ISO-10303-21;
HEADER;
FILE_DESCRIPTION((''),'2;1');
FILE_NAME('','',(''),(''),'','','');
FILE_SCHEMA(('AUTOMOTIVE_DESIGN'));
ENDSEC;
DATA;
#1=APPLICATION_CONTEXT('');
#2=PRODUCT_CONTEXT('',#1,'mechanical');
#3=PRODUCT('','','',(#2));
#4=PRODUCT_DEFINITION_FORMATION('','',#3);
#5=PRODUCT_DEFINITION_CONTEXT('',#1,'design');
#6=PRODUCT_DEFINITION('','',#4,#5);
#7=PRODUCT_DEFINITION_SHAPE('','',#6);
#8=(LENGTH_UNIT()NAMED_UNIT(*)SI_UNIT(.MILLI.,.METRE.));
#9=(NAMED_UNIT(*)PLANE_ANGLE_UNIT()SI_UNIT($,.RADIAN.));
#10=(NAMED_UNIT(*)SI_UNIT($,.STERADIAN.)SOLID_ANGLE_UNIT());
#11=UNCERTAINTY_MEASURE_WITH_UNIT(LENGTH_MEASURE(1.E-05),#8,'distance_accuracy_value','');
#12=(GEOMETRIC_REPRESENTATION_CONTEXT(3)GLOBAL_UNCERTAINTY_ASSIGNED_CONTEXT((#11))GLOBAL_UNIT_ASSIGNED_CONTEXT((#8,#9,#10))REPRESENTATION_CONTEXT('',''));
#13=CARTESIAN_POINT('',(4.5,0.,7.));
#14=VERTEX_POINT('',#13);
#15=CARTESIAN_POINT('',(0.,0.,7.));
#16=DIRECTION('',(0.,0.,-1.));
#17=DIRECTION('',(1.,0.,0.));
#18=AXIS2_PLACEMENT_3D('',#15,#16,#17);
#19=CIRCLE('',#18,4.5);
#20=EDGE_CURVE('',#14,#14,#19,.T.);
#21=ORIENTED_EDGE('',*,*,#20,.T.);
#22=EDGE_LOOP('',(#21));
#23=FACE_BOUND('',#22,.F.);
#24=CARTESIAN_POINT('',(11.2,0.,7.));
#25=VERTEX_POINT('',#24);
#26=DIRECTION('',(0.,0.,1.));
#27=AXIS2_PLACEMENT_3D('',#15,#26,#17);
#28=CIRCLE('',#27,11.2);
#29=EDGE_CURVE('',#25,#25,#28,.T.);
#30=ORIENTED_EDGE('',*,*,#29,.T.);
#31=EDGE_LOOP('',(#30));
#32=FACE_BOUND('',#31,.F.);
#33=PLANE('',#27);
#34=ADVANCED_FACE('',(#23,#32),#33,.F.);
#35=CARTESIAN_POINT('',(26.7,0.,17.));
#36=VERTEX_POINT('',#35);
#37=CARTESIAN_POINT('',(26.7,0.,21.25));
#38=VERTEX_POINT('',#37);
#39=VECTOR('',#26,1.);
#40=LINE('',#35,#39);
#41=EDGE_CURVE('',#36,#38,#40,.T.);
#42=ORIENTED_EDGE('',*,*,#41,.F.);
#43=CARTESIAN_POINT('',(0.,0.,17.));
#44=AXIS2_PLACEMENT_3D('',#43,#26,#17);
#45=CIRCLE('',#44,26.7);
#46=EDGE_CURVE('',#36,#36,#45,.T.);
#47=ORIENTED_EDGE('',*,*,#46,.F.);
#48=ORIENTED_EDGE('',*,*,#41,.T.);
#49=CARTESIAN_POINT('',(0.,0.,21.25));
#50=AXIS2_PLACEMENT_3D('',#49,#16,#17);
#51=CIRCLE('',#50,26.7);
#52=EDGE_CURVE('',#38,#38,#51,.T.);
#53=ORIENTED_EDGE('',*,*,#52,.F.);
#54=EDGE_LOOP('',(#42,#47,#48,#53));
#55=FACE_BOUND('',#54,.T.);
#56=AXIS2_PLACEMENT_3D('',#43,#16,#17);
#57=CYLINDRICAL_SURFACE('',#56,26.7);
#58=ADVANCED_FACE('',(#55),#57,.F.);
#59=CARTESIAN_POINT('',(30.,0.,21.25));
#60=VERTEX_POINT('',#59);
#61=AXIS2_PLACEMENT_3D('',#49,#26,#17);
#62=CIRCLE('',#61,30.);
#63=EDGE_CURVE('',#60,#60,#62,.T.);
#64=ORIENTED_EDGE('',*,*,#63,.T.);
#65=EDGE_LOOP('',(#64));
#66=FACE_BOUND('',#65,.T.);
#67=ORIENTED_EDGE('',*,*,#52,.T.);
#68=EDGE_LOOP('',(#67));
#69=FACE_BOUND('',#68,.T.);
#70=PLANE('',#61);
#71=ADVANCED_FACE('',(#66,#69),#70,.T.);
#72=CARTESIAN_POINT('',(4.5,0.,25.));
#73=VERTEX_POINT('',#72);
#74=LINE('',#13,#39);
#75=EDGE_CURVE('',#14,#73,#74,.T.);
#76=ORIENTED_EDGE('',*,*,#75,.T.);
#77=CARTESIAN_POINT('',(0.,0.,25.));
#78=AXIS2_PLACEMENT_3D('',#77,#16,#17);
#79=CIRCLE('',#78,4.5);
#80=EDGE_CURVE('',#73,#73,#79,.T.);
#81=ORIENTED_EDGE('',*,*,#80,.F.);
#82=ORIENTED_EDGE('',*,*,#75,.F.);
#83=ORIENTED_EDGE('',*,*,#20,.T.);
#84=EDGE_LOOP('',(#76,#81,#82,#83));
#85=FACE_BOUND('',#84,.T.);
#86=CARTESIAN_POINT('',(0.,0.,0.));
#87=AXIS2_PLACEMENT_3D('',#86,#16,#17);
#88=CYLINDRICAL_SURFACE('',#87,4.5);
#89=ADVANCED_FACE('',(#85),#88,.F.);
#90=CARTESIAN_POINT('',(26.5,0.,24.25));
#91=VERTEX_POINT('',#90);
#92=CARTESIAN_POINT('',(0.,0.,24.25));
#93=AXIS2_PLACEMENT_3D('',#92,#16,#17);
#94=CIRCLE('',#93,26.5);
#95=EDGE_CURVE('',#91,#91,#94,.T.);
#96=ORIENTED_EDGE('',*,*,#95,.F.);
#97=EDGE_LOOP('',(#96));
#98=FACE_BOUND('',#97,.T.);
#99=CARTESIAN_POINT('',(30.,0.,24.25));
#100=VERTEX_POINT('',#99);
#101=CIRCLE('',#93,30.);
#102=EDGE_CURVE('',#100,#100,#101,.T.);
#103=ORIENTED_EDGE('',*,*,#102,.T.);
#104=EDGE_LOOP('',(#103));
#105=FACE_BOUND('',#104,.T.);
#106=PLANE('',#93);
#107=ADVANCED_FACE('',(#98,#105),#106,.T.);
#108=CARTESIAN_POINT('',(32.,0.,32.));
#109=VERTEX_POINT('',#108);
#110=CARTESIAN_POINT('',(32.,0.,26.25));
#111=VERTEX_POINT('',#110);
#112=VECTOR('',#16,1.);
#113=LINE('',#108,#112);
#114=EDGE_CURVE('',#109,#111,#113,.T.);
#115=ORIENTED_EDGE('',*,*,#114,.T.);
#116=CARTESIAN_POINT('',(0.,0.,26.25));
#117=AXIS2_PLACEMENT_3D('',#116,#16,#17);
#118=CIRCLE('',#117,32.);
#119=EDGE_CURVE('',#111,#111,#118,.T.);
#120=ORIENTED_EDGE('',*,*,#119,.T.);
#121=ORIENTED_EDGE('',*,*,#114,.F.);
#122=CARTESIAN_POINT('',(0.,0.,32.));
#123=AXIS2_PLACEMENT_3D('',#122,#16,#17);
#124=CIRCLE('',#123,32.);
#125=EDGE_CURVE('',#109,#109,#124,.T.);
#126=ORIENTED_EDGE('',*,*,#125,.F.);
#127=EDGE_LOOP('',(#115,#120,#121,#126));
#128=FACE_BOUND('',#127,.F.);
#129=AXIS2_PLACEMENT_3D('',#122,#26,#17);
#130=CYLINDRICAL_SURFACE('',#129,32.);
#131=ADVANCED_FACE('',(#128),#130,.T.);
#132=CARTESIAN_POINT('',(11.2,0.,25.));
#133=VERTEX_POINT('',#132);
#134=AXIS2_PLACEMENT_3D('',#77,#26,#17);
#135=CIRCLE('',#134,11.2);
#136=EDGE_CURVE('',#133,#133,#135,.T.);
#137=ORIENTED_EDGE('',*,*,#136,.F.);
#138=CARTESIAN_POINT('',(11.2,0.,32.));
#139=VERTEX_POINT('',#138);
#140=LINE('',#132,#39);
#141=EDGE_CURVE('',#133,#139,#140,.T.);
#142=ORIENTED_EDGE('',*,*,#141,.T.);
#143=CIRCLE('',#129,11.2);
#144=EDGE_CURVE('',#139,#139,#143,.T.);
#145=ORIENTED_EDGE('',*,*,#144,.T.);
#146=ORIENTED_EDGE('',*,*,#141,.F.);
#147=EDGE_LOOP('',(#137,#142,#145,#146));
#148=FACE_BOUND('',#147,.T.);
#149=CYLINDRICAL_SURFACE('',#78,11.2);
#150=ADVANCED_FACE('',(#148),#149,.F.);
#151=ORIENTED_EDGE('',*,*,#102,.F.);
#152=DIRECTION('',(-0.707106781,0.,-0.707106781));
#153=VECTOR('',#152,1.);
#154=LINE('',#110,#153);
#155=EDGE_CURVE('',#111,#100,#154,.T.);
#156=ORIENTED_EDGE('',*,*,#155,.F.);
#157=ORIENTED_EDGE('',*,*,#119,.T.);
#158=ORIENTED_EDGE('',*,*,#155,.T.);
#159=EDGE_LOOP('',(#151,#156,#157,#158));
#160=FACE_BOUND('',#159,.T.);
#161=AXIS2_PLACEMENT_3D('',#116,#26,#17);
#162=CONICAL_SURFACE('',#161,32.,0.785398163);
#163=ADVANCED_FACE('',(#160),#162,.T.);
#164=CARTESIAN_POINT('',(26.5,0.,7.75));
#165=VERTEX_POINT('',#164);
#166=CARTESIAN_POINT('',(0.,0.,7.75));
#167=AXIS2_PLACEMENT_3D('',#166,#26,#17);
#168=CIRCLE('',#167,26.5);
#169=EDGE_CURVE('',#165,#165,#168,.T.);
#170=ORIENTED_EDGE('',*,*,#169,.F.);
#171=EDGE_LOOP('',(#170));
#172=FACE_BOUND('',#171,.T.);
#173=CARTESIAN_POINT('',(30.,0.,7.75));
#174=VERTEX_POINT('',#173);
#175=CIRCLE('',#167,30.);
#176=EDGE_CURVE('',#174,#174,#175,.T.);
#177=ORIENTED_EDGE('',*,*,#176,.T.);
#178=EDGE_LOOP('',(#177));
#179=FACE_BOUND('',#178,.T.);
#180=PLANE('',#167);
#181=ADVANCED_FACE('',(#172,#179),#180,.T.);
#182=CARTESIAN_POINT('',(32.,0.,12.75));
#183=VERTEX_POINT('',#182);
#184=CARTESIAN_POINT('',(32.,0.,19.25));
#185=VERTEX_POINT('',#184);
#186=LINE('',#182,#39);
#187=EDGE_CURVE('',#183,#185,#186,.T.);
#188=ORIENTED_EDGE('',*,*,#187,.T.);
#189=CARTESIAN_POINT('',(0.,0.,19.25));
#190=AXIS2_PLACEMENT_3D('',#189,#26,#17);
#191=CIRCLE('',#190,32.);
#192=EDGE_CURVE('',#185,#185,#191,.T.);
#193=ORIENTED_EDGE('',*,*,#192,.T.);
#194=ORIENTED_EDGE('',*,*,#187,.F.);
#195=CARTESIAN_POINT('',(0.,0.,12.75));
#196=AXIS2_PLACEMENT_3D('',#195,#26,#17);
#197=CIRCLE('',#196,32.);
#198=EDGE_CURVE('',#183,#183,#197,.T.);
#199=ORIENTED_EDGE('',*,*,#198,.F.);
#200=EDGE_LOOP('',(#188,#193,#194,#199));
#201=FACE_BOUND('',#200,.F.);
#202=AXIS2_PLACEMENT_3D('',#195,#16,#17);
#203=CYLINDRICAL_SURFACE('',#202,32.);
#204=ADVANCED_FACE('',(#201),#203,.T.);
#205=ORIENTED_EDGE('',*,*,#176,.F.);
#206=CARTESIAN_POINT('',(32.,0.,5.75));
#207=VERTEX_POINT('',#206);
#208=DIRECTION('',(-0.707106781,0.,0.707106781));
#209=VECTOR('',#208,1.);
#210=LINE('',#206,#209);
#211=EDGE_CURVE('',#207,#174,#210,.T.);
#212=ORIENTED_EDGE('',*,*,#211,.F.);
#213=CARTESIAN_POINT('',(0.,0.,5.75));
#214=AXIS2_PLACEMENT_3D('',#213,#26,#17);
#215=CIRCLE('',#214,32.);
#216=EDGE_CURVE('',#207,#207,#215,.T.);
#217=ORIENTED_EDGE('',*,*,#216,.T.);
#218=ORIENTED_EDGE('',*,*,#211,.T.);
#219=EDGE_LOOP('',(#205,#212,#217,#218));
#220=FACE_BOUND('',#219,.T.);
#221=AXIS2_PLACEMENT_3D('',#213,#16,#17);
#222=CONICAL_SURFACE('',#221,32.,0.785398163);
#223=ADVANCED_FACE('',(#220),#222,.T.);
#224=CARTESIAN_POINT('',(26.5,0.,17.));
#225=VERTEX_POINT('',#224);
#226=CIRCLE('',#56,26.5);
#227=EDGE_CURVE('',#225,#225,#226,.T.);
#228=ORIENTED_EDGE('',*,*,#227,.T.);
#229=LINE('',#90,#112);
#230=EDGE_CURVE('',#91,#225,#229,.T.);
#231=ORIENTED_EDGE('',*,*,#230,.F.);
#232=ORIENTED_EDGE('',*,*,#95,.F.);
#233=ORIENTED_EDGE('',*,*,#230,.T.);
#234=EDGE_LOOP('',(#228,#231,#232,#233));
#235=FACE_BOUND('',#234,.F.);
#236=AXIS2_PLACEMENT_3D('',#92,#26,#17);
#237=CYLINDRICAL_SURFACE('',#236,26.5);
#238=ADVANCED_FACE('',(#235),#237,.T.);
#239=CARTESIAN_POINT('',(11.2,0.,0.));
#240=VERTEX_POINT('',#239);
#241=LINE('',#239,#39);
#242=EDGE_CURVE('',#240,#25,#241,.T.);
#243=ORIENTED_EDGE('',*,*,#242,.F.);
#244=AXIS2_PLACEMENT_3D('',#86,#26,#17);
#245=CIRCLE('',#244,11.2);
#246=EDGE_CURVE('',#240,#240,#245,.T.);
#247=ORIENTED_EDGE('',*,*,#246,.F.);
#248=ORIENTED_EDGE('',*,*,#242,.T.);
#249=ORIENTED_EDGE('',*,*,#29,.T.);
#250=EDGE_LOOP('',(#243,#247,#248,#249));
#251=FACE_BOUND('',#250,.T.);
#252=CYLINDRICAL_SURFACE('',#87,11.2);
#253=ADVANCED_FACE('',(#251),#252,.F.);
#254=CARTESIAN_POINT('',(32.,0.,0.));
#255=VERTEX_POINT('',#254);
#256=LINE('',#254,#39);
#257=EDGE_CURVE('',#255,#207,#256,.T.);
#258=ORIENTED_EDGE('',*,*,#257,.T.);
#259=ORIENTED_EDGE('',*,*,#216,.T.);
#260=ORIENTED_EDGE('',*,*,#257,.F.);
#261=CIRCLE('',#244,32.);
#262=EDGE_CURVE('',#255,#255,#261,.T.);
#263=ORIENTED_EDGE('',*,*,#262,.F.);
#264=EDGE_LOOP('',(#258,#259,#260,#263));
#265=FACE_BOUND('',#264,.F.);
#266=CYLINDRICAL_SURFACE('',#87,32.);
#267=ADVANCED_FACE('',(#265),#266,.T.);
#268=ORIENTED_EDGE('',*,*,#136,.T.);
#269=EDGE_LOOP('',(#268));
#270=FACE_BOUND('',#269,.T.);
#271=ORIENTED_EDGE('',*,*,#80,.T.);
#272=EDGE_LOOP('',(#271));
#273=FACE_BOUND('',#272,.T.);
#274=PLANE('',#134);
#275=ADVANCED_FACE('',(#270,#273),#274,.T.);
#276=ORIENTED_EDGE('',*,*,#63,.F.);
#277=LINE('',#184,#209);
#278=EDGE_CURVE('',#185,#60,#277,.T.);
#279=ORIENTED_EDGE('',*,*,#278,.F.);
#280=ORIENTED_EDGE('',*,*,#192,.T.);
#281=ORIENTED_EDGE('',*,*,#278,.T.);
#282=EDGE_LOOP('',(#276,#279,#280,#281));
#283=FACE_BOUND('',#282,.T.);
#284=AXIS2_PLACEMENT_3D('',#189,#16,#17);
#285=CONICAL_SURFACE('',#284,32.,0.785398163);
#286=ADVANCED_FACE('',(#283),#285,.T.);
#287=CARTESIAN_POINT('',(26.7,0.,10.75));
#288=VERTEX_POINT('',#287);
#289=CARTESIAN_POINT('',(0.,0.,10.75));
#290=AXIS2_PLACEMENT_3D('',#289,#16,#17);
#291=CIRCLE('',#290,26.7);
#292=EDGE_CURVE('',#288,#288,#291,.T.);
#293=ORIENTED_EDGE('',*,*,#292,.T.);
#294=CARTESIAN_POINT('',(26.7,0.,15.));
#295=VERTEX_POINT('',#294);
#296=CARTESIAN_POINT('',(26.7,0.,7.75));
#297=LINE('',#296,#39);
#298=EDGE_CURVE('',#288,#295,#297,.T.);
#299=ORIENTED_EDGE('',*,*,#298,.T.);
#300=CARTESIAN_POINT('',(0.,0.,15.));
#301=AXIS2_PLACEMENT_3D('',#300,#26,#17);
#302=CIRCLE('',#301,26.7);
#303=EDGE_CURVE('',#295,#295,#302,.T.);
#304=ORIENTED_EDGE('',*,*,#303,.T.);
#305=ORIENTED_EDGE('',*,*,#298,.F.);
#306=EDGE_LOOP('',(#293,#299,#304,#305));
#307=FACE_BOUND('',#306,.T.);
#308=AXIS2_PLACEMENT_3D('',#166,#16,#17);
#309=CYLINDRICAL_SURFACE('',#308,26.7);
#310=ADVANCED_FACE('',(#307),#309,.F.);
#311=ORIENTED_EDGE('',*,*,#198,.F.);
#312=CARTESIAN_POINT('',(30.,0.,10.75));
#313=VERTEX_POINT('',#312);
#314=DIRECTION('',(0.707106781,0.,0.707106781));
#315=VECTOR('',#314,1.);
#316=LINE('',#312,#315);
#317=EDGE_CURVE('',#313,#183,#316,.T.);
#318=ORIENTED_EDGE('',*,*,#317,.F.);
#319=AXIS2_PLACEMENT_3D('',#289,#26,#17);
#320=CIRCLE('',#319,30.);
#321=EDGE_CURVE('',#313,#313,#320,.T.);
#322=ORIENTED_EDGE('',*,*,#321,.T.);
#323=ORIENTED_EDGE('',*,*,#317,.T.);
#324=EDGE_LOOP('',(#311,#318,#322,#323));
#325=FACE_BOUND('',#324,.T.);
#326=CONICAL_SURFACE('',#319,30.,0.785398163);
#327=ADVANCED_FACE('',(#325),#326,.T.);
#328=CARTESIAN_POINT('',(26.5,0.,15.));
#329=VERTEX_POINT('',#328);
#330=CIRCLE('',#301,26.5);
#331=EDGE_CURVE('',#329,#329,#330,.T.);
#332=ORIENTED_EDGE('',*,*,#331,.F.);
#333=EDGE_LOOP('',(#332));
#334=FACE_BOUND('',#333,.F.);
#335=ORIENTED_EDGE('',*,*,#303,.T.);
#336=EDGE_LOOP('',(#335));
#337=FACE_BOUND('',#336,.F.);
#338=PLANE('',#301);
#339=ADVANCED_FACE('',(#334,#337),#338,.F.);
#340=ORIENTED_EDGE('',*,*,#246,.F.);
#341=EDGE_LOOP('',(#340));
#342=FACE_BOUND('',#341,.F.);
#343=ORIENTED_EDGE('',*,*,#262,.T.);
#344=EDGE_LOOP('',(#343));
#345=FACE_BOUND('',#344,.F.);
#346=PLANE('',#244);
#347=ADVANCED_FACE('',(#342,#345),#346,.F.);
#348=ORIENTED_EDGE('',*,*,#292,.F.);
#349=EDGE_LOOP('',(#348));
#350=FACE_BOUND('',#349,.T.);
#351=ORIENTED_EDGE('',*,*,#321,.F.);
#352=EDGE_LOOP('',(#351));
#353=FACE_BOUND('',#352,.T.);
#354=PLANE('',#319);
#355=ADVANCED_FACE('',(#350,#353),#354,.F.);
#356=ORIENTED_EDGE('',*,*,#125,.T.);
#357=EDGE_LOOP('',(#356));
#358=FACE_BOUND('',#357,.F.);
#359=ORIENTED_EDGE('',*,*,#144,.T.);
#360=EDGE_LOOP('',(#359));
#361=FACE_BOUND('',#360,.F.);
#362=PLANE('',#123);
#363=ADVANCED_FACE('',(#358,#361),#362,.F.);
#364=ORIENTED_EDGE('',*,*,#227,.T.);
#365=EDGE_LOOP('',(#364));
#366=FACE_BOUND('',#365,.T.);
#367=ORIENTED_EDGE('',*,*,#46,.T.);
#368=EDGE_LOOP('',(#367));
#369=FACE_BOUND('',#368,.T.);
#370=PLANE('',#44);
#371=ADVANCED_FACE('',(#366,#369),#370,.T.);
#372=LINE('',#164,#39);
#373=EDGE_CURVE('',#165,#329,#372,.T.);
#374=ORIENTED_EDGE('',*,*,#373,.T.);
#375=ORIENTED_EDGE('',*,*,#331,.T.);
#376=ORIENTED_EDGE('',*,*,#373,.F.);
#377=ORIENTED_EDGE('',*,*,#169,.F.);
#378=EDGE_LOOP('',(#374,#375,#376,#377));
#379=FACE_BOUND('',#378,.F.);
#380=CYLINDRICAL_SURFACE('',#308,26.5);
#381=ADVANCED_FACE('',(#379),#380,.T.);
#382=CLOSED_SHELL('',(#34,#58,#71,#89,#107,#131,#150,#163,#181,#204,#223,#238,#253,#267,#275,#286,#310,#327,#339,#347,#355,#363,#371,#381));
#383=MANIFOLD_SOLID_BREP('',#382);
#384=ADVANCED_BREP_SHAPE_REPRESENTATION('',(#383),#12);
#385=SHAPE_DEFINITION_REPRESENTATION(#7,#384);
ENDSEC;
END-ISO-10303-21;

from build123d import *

# Parameters (mm, degrees)
CYLINDER006_R             = 26.7
CYLINDER006_DEPTH         = 7.25
CYLINDER007_R             = 4.5
CYLINDER007_DEPTH         = 32
CYLINDER005_R             = 26.7
CYLINDER005_DEPTH         = 7.25
CYLINDER004_R             = 32
CYLINDER004_DEPTH         = 6.5
CYLINDER010_R             = 11.2
CYLINDER010_DEPTH         = 7
CYLINDER009_R             = 4.5
CYLINDER009_DEPTH         = 32
CYLINDER001_R             = 26.5
CYLINDER001_DEPTH         = 7.25
CYLINDER_R                = 32
CYLINDER_DEPTH            = 5.75
CYLINDER011_R             = 11.2
CYLINDER011_DEPTH         = 7
CYLINDER008_R             = 4.5
CYLINDER008_DEPTH         = 32
CYLINDER003_R             = 26.5
CYLINDER003_DEPTH         = 7.25
CYLINDER002_R             = 32
CYLINDER002_DEPTH         = 5.75
FUSION001_PLACEMENT_ANGLE = 180


with BuildPart() as cylinder006:
    # Cylinder006 → Cylinder006 (new body)
    with BuildSketch(Plane.XY.offset(7.75)):
        Circle(CYLINDER006_R)
    extrude(amount=CYLINDER006_DEPTH)


with BuildPart() as cylinder007:
    # Cylinder007 → Cylinder007 (new body)
    with BuildSketch(Plane.XY):
        Circle(CYLINDER007_R)
    extrude(amount=CYLINDER007_DEPTH)


with BuildPart() as fusion003:
    # Cylinder005 → Cylinder005 (new body)
    with BuildSketch(Plane.XY.offset(17)):
        Circle(CYLINDER005_R)
    extrude(amount=CYLINDER005_DEPTH)

    # Fusion003: union Cylinder006, Cylinder007
    add(cylinder006.part)
    add(cylinder007.part)


with BuildPart() as cone002:
    # Cone002 → Cone002 (revolve)
    with BuildSketch(Plane(origin=(0, 0, 8.5), x_dir=(1, 0, 0), z_dir=(0, -1, 0))):
        Polygon((0, 0), (32, 0), (30, 2), (0, 2), align=None)
    revolve(axis=Axis((0, 0, 8.5), (0, 0, 1)))


with BuildPart() as cone003:
    # Cone003 → Cone003 (revolve)
    with BuildSketch(Plane.XZ):
        Polygon((0, 0), (30, 0), (32, 2), (0, 2), align=None)
    revolve(axis=Axis((0, 0, 0), (0, 0, 1)))


with BuildPart() as cut:
    # Cylinder004 → Cylinder004 (new body)
    with BuildSketch(Plane.XY.offset(2)):
        Circle(CYLINDER004_R)
    extrude(amount=CYLINDER004_DEPTH)

    # Fusion002: union Cone002, Cone003
    add(cone002.part)
    add(cone003.part)


with BuildPart() as cut_1:
    # Fusion002 placement: moved
    add(cut.part.moved(Location((0, 0, 10.75))))

    # Cut: cut Fusion003
    add(fusion003.part, mode=Mode.SUBTRACT)


with BuildPart() as cylinder010:
    # Cylinder010 → Cylinder010 (new body)
    with BuildSketch(Plane.XY):
        Circle(CYLINDER010_R)
    extrude(amount=CYLINDER010_DEPTH)


with BuildPart() as cylinder009:
    # Cylinder009 → Cylinder009 (new body)
    with BuildSketch(Plane.XY):
        Circle(CYLINDER009_R)
    extrude(amount=CYLINDER009_DEPTH)


with BuildPart() as cone:
    # Cone → Cone (revolve)
    with BuildSketch(Plane(origin=(0, 0, 5.75), x_dir=(1, 0, 0), z_dir=(0, -1, 0))):
        Polygon((0, 0), (32, 0), (30, 2), (0, 2), align=None)
    revolve(axis=Axis((0, 0, 5.75), (0, 0, 1)))


with BuildPart() as cylinder001:
    # Cylinder001 → Cylinder001 (new body)
    with BuildSketch(Plane.XY.offset(7.75)):
        Circle(CYLINDER001_R)
    extrude(amount=CYLINDER001_DEPTH)


with BuildPart() as cut003:
    # Cylinder → Cylinder (new body)
    with BuildSketch(Plane.XY):
        Circle(CYLINDER_R)
    extrude(amount=CYLINDER_DEPTH)

    # Fusion: union Cone, Cylinder001
    add(cone.part)
    add(cylinder001.part)

    # Cut002: cut Cylinder009
    add(cylinder009.part, mode=Mode.SUBTRACT)

    # Cut003: cut Cylinder010
    add(cylinder010.part, mode=Mode.SUBTRACT)


with BuildPart() as cylinder011:
    # Cylinder011 → Cylinder011 (new body)
    with BuildSketch(Plane.XY.offset(25)):
        Circle(CYLINDER011_R)
    extrude(amount=CYLINDER011_DEPTH)


with BuildPart() as cylinder008:
    # Cylinder008 → Cylinder008 (new body)
    with BuildSketch(Plane.XY):
        Circle(CYLINDER008_R)
    extrude(amount=CYLINDER008_DEPTH)


with BuildPart() as cone001:
    # Cone001 → Cone001 (revolve)
    with BuildSketch(Plane(origin=(0, 0, 5.75), x_dir=(1, 0, 0), z_dir=(0, -1, 0))):
        Polygon((0, 0), (32, 0), (30, 2), (0, 2), align=None)
    revolve(axis=Axis((0, 0, 5.75), (0, 0, 1)))


with BuildPart() as cylinder003:
    # Cylinder003 → Cylinder003 (new body)
    with BuildSketch(Plane.XY.offset(7.75)):
        Circle(CYLINDER003_R)
    extrude(amount=CYLINDER003_DEPTH)


with BuildPart() as fusion004:
    # Cylinder002 → Cylinder002 (new body)
    with BuildSketch(Plane.XY):
        Circle(CYLINDER002_R)
    extrude(amount=CYLINDER002_DEPTH)

    # Fusion001: union Cone001, Cylinder003
    add(cone001.part)
    add(cylinder003.part)


with BuildPart() as fusion004_1:
    # Fusion001 placement: moved
    add(fusion004.part.moved(Location((0, 0, 32))).rotate(Axis((0, 0, 32), (1, 0, 0)), FUSION001_PLACEMENT_ANGLE))

    # Cut001: cut Cylinder008
    add(cylinder008.part, mode=Mode.SUBTRACT)

    # Cut004: cut Cylinder011
    add(cylinder011.part, mode=Mode.SUBTRACT)

    # Fusion004: union Cut, Cut003
    add(cut_1.part)
    add(cut003.part)


solid = fusion004_1.part
